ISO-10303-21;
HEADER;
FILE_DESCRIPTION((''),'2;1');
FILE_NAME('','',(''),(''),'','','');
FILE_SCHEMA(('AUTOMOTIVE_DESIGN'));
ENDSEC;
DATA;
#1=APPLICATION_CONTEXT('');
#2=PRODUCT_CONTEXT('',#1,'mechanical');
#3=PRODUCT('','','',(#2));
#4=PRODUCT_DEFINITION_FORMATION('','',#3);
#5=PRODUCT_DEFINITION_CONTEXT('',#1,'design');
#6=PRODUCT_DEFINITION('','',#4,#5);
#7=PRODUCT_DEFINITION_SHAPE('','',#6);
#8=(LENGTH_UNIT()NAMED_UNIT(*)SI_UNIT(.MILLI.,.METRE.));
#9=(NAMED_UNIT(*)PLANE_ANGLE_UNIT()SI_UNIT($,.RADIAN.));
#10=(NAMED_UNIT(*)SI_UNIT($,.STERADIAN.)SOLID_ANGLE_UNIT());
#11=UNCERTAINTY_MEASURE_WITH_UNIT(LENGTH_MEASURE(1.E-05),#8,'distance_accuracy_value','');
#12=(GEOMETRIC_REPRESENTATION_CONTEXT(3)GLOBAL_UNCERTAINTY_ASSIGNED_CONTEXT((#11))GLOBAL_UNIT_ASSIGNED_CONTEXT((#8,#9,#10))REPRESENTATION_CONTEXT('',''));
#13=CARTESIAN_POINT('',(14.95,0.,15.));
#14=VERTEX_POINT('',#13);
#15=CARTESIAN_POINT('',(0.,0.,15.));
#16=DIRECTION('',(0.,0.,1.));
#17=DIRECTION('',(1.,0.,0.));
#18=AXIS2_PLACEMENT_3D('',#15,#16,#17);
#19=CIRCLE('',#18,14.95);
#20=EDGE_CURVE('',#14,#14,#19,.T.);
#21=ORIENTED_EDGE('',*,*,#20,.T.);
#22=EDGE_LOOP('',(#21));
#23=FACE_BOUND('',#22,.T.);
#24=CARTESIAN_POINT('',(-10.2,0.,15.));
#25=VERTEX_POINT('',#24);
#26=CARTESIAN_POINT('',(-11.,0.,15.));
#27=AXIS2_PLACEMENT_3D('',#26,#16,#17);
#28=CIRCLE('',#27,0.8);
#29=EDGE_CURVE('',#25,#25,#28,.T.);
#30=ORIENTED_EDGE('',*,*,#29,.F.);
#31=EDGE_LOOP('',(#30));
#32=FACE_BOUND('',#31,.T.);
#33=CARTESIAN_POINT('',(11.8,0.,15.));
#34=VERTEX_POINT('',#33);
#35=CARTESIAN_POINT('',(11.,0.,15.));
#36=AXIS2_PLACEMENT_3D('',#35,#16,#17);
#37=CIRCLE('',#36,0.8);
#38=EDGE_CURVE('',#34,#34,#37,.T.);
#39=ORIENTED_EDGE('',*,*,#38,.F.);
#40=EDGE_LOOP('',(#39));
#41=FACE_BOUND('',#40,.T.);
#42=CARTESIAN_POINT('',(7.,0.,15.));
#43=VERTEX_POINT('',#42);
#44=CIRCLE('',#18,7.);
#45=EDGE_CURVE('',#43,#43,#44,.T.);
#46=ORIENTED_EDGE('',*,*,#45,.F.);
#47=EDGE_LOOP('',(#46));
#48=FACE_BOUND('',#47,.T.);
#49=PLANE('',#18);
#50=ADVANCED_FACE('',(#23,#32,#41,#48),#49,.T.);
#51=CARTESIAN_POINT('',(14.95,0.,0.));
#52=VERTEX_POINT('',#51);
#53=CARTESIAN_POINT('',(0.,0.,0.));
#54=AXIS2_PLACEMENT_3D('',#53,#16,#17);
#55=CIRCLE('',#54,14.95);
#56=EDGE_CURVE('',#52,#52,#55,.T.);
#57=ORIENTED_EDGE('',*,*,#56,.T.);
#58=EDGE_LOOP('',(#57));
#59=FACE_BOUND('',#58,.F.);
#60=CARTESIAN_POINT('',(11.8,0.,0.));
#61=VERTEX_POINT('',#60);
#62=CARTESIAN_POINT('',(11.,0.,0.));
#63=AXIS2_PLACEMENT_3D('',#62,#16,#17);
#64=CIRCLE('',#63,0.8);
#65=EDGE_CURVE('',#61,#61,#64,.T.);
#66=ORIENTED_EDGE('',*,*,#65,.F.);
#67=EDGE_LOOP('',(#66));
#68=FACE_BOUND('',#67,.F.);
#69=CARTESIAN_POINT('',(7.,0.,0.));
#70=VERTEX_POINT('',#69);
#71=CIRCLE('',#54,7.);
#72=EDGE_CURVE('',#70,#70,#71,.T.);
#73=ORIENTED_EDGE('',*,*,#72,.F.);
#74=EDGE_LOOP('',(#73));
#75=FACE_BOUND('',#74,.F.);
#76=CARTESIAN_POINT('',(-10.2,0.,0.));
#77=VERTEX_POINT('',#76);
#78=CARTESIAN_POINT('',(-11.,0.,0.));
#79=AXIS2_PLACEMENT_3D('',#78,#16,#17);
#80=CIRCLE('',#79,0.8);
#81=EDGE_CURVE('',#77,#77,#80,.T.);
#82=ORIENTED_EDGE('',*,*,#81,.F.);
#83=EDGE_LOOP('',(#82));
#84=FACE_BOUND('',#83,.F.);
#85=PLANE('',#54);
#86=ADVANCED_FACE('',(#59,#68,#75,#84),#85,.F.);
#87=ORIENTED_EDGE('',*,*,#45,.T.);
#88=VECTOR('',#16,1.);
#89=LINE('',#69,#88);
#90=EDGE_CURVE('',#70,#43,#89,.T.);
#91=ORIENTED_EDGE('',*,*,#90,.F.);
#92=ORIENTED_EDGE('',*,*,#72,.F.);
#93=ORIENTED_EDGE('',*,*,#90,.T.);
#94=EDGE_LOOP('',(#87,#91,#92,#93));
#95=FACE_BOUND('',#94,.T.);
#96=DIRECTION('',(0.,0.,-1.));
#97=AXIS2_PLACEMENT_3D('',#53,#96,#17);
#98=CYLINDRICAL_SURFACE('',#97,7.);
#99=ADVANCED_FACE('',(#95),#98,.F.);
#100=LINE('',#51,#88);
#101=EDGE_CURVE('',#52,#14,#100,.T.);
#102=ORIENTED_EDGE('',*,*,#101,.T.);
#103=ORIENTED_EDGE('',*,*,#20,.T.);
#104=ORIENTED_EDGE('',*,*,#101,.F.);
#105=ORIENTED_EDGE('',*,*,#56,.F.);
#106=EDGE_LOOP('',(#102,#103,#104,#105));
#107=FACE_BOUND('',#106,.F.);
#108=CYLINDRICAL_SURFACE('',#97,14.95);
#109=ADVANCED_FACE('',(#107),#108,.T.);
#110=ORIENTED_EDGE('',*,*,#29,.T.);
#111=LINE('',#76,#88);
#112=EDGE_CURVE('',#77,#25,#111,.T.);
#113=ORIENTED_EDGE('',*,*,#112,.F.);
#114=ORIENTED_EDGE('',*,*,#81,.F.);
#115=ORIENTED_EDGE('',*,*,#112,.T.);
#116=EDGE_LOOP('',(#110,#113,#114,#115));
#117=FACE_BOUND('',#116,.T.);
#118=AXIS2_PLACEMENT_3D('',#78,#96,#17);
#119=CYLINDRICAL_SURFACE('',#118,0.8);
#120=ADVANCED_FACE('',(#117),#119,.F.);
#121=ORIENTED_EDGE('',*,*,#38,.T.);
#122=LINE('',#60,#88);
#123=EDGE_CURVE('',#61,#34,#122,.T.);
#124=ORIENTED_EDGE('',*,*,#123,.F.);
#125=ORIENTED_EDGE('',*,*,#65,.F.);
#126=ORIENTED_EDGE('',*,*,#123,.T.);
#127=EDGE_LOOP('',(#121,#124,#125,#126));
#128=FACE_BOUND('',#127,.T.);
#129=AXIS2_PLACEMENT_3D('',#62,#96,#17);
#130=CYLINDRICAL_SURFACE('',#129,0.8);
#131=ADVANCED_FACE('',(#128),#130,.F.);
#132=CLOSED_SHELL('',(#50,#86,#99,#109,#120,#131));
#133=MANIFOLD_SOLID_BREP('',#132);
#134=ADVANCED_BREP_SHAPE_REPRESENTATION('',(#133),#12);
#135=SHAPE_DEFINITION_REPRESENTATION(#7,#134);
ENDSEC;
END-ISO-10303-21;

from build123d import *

# Parameters (mm, degrees)
F0_R     = 14.95
F1_DEPTH = 15
F2_R     = 7
F3_DEPTH = 15
F4_R     = 0.8
F5_DEPTH = 15


with BuildPart() as f1:
    # F0 (on Top) → F1 (new body)
    with BuildSketch(Plane.XY):
        Circle(F0_R)
    extrude(amount=F1_DEPTH)

    # F2 (on Top) → F3 (cut)
    with BuildSketch(Plane.XY):
        Circle(F2_R)
    extrude(amount=F3_DEPTH, mode=Mode.SUBTRACT)

    # F4 (on Top) → F5 (cut)
    with BuildSketch(Plane.XY):
        with Locations((-11, 0)):
            Circle(F4_R)
        with Locations((11, 0)):
            Circle(F4_R)
    extrude(amount=F5_DEPTH, mode=Mode.SUBTRACT)


solid = f1.part
